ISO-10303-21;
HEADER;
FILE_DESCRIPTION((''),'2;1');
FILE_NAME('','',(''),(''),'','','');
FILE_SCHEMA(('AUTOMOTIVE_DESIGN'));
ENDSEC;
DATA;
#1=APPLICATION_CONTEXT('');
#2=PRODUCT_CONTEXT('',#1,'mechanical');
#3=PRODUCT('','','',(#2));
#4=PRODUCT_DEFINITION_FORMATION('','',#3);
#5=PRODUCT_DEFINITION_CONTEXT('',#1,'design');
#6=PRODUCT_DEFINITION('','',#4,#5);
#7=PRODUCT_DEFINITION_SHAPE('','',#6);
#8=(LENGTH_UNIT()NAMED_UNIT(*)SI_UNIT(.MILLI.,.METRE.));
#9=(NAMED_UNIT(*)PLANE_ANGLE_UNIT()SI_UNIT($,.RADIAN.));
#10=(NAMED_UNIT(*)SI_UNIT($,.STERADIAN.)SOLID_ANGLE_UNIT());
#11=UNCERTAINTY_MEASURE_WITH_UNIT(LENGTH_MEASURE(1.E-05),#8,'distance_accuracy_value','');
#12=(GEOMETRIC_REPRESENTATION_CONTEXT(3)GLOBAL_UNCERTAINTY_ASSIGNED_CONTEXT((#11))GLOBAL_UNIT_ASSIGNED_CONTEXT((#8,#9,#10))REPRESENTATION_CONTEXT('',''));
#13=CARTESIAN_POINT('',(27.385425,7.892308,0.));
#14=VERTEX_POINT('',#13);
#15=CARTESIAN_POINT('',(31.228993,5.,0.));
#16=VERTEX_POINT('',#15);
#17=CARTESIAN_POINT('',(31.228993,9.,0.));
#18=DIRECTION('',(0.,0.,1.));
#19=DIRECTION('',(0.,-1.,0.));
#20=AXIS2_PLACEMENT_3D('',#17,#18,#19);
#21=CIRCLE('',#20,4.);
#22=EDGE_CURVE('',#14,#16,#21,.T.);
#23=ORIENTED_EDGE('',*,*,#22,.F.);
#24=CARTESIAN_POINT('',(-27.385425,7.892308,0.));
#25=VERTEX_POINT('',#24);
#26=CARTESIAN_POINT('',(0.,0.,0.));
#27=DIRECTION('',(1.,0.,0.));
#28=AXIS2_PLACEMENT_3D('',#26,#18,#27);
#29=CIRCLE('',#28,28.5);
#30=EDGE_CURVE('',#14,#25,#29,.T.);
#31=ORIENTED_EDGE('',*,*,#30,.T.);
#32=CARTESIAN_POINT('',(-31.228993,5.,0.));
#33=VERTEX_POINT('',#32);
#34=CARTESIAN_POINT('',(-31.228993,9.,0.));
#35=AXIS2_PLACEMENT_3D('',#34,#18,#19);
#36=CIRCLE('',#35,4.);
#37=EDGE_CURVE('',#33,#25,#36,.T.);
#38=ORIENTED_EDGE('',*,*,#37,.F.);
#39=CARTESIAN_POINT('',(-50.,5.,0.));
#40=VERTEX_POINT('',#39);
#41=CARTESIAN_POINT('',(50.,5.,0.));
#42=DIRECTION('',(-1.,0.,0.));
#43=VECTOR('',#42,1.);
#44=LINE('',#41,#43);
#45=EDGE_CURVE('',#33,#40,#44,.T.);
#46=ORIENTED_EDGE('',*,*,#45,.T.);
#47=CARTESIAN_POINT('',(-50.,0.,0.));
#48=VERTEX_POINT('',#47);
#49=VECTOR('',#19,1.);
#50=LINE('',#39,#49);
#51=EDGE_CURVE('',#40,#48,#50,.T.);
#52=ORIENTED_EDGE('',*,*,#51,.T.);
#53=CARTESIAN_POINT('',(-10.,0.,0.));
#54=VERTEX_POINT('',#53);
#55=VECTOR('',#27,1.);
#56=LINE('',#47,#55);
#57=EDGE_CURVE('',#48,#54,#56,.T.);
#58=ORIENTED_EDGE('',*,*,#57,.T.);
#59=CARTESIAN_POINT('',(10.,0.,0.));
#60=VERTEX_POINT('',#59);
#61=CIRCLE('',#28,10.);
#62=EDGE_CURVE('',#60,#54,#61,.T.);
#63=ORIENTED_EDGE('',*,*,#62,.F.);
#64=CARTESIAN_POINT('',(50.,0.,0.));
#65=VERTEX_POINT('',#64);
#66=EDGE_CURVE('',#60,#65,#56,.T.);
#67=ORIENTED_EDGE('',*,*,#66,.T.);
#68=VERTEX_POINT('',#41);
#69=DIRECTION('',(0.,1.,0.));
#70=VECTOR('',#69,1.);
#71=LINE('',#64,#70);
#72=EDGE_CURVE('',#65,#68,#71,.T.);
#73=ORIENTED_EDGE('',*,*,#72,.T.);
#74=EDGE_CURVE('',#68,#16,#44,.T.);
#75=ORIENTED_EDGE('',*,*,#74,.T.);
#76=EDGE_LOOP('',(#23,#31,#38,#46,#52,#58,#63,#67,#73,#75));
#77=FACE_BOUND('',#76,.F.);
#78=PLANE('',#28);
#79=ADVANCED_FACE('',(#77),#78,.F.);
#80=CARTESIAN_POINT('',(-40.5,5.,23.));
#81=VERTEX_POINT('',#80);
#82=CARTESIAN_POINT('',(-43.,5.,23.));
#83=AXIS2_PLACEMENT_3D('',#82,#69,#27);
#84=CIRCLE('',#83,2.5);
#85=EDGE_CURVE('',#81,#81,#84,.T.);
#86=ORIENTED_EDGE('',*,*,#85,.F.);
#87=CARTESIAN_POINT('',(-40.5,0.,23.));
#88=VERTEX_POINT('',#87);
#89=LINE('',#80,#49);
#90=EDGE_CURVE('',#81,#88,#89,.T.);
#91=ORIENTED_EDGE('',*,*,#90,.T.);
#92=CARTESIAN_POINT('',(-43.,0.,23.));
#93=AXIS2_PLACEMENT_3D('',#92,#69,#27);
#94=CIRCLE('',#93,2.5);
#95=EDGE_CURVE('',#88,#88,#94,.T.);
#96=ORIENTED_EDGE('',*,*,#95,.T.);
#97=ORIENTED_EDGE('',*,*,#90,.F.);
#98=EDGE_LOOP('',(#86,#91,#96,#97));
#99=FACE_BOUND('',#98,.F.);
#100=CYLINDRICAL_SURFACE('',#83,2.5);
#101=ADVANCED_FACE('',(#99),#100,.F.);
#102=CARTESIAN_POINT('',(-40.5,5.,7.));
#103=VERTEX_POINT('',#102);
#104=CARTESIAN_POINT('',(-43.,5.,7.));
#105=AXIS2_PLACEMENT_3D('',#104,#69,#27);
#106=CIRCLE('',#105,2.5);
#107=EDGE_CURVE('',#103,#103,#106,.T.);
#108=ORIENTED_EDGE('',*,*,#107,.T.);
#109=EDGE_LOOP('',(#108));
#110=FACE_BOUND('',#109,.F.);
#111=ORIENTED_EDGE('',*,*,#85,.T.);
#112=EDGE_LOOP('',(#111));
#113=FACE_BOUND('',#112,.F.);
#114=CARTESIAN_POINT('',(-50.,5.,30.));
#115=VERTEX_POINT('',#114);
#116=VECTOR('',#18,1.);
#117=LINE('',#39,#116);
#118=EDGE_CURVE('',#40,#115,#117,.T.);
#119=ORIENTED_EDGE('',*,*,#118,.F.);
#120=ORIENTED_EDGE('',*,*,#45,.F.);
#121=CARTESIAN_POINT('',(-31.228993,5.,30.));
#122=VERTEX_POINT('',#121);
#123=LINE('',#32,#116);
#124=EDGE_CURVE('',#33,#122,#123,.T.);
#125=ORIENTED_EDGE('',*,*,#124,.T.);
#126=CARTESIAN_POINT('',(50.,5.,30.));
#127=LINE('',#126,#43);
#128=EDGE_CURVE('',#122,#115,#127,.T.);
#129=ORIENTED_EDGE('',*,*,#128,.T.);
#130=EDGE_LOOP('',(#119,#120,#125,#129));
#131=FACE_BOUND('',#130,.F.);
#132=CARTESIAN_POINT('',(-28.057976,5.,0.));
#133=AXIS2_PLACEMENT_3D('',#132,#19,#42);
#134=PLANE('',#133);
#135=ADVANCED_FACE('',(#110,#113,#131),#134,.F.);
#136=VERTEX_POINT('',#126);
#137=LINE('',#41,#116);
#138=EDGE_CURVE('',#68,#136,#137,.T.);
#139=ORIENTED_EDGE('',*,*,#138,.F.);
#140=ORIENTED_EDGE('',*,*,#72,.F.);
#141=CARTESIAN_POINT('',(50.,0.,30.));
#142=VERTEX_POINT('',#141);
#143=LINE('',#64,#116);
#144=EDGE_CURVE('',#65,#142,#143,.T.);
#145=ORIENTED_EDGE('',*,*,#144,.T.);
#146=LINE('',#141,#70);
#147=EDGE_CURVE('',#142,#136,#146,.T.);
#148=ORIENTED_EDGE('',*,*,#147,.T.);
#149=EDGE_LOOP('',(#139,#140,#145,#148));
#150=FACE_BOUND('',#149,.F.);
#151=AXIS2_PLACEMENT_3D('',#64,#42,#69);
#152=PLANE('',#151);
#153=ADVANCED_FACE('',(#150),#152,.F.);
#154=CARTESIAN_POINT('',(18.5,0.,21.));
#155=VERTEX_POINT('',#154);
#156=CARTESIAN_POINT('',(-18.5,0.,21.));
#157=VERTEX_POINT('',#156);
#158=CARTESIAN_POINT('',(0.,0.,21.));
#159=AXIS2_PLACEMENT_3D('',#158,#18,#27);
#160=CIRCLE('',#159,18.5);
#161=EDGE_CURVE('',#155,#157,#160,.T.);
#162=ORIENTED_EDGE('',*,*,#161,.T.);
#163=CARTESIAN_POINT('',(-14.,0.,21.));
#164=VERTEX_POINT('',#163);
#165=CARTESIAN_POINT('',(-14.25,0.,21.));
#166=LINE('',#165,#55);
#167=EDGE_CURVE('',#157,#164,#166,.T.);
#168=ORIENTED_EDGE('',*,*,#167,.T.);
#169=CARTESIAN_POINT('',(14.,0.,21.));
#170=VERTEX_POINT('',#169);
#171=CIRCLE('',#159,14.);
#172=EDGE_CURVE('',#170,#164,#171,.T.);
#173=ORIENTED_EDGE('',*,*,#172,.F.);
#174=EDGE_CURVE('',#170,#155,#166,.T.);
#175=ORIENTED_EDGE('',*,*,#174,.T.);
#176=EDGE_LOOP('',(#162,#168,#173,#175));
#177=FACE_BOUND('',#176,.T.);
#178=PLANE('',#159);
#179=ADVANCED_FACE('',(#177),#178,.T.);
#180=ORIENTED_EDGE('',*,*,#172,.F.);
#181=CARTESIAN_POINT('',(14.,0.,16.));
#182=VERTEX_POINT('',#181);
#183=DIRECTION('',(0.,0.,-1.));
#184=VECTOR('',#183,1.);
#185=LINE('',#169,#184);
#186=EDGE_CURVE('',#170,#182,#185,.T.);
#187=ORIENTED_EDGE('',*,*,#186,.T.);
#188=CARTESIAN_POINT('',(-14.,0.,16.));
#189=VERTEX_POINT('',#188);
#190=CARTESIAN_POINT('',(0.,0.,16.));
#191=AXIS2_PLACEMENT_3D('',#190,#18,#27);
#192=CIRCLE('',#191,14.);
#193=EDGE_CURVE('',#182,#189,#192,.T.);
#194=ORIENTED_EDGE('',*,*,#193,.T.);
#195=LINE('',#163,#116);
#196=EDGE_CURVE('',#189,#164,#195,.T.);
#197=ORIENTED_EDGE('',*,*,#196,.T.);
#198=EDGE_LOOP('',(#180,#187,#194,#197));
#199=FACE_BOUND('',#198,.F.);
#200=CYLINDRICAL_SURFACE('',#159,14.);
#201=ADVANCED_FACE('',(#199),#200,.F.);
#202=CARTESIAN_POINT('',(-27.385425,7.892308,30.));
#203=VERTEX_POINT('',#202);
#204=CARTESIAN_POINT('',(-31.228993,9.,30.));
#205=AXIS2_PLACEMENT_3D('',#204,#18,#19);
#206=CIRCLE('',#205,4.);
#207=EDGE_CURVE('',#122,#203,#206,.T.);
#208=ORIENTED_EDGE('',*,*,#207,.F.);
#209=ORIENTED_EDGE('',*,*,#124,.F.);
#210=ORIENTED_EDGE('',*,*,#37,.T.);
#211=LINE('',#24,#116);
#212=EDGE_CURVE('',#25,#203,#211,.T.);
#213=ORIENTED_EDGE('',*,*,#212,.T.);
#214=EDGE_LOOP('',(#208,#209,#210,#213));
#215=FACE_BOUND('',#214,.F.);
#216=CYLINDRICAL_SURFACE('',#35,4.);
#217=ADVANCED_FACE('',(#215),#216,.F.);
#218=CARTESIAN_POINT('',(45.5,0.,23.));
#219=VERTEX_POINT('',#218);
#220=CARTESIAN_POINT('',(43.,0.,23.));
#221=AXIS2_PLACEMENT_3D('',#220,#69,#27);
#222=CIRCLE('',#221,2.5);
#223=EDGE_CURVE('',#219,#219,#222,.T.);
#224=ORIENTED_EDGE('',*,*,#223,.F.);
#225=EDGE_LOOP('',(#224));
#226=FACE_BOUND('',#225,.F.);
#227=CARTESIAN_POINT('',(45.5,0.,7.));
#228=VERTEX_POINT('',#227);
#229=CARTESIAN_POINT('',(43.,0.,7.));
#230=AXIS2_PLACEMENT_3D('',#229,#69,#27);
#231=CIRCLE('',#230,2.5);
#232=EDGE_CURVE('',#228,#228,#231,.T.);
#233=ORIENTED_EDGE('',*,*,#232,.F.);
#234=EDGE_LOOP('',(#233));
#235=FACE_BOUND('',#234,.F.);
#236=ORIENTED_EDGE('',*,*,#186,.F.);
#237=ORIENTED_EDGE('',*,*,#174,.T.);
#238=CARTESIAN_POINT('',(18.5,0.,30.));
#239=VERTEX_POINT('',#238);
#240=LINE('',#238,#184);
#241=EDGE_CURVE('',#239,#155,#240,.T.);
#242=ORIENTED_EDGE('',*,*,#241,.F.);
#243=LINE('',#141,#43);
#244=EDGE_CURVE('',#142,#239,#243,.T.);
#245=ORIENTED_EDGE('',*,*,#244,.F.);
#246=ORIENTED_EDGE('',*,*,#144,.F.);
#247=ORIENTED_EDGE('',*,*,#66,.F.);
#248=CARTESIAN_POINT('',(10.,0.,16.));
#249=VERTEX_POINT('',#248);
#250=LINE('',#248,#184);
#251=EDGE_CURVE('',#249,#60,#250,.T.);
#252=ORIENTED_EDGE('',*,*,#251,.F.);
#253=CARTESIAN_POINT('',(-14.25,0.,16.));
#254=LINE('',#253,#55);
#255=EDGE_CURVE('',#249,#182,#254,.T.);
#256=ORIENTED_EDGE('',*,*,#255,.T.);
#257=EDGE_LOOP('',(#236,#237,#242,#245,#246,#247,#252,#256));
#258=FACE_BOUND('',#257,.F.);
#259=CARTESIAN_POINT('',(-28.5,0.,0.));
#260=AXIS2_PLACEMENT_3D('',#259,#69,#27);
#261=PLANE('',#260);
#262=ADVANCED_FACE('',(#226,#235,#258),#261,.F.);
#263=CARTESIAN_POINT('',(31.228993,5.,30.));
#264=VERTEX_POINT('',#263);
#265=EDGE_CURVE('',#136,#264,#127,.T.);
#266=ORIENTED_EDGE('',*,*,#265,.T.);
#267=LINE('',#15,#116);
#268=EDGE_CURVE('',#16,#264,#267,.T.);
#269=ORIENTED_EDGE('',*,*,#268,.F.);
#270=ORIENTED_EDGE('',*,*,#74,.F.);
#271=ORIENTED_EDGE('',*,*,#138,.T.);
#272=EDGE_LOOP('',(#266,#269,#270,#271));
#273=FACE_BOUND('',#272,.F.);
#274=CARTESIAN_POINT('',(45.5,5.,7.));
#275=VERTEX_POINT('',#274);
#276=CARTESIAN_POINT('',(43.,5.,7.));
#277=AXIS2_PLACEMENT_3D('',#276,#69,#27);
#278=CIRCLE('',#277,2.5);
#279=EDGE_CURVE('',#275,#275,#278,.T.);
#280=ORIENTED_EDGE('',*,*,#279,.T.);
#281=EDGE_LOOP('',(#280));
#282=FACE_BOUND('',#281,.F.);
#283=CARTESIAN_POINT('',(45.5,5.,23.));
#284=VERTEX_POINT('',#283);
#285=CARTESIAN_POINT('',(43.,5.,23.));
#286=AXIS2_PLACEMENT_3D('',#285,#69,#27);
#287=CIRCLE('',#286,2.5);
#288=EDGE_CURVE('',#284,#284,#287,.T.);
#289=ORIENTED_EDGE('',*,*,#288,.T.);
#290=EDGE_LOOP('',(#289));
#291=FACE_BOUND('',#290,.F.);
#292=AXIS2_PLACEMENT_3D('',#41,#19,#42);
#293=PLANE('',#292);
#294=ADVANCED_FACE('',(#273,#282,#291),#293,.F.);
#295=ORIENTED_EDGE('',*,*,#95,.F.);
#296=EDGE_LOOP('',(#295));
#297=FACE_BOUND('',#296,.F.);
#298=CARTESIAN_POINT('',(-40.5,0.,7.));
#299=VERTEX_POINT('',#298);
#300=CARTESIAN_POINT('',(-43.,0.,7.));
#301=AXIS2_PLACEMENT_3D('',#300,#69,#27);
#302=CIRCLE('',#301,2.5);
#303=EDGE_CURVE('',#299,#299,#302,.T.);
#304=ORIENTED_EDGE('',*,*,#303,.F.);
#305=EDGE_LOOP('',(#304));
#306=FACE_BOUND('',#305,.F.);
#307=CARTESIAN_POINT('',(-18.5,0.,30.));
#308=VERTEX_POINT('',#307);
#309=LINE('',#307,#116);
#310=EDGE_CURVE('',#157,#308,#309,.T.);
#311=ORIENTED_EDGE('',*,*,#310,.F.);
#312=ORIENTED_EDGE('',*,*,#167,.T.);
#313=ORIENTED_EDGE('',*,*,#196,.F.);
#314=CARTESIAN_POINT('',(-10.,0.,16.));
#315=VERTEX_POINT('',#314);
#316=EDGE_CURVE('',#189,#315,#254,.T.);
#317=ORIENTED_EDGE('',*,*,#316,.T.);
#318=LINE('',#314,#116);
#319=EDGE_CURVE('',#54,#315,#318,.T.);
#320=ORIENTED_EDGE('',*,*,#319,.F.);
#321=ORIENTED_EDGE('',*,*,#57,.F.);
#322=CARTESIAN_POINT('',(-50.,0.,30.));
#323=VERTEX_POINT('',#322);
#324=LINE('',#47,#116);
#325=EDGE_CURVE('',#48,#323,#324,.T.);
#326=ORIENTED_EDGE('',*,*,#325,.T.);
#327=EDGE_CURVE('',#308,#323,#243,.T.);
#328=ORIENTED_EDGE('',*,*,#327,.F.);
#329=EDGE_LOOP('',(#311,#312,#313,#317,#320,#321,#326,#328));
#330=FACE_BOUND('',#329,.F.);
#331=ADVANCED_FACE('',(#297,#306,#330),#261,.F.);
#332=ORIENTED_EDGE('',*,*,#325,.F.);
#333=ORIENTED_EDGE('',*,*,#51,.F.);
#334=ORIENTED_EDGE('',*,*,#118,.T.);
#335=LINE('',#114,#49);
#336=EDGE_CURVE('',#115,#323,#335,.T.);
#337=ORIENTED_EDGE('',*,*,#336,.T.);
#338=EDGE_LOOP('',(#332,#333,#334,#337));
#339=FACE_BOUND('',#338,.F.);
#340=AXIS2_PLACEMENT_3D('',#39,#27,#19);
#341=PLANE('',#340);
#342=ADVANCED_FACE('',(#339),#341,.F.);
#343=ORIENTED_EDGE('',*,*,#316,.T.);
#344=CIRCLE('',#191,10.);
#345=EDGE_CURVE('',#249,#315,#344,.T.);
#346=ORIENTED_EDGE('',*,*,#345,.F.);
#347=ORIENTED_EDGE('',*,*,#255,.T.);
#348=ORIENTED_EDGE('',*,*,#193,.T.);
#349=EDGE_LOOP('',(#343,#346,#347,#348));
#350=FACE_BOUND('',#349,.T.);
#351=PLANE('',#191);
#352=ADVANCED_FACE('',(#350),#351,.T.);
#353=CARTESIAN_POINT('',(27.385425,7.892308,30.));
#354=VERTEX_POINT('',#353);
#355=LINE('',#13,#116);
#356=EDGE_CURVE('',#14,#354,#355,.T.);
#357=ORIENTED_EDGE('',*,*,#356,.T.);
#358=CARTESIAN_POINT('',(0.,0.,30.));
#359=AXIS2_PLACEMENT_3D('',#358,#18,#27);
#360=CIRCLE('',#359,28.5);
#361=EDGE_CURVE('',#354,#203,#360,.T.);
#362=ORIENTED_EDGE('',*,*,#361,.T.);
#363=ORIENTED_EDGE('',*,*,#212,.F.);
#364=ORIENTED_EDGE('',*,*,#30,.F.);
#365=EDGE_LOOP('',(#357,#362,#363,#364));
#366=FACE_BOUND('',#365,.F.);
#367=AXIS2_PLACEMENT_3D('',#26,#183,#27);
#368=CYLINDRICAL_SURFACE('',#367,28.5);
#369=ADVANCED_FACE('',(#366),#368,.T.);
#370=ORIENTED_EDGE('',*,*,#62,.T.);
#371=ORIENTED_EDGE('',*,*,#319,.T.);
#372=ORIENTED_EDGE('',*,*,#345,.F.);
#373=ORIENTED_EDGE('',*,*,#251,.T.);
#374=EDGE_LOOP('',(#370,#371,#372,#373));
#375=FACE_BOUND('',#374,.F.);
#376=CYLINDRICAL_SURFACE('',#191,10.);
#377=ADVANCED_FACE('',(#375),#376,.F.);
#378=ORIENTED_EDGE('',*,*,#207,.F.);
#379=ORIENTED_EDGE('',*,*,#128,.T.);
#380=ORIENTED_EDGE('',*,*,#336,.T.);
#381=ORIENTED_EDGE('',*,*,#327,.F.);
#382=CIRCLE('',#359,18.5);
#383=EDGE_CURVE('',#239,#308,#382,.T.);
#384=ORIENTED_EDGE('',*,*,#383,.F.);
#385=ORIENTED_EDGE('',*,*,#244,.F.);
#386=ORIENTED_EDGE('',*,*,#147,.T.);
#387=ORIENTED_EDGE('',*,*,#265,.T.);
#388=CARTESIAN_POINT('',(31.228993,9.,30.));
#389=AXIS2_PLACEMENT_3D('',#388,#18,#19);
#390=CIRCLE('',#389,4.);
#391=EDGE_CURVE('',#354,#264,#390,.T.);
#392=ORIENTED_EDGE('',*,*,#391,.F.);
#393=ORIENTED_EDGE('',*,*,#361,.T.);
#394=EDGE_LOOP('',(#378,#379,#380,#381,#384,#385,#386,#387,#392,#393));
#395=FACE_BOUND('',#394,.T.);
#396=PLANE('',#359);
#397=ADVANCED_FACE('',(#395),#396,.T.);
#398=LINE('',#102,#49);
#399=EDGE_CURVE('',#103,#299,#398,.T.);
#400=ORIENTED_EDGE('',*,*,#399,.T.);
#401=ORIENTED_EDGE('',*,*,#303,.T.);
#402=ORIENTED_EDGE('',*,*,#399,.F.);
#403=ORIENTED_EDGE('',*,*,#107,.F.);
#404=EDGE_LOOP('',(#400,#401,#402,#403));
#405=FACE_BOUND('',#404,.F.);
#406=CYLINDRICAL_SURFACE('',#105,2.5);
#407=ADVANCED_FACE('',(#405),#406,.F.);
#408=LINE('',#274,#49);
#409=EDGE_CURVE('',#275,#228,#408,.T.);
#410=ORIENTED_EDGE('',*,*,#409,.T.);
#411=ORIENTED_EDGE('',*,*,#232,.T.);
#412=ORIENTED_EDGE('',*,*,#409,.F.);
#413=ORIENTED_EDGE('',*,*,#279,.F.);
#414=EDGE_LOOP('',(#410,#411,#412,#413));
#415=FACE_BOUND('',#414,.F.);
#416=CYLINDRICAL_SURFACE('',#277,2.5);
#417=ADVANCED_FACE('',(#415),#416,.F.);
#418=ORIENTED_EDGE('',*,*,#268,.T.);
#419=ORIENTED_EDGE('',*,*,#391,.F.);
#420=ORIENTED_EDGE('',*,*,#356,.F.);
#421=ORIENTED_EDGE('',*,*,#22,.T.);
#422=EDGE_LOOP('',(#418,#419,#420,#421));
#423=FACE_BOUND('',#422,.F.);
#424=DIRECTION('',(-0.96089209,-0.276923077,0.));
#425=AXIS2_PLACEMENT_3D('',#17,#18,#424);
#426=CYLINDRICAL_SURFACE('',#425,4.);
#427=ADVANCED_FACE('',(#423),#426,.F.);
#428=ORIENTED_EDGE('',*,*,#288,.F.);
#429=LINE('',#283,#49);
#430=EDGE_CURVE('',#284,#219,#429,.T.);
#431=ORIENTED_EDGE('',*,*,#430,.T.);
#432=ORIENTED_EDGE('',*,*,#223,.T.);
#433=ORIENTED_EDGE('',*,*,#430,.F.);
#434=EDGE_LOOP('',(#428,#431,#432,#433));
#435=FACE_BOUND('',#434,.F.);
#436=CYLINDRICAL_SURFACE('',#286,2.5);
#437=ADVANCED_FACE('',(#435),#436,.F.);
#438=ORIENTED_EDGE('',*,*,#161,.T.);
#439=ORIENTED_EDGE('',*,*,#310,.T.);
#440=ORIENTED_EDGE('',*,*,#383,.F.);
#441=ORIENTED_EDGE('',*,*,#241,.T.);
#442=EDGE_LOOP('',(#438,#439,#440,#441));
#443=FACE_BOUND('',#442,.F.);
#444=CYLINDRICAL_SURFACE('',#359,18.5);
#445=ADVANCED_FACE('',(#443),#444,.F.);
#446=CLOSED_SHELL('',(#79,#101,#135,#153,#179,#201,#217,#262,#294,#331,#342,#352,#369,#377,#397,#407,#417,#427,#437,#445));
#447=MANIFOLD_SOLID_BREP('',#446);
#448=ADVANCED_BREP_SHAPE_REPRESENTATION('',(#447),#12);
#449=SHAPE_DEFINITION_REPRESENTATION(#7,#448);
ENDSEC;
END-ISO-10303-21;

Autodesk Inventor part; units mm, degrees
ref_plane "YZ Plane" through (0, 0, 0) normal (1, 0, 0) x (0, 1, 0)
ref_plane "XZ Plane" through (0, 0, 0) normal (0, 1, 0) x (-1, 0, 0)
ref_plane "XY Plane" through (0, 0, 0) normal (0, 0, 1) x (1, 0, 0)
sketch "草图1" plane through (0, 0, 0) normal (0, 0, 1) x (1, 0, 0)
  arc A0 (28.5, 0) -> (-28.5, 0) centre (0, 0) ccw
  line L0 (-50, 0) -> (50, 0)
  line L1 (50, 0) -> (50, 5)
  line L2 (50, 5) -> (-50, 5)
  line L3 (-50, 5) -> (-50, 0)
  dimension "d0" = 57
  dimension "d1" = 100
  dimension "d2" = 5
extrude "拉伸1" add sketch "草图1" along normal blind 30
sketch "草图2" plane through (0, 0, 30) normal (0, 0, 1) x (1, 0, 0)
  circle A0 centre (0, 0) radius 18.5
  dimension "d5" = 37
extrude "拉伸2" cut sketch "草图2" against normal blind 9
sketch "草图3" plane through (0, 0, 21) normal (0, 0, 1) x (1, 0, 0)
  circle A0 centre (0, 0) radius 14
  dimension "d8" = 28
extrude "拉伸3" cut sketch "草图3" against normal blind 5
sketch "草图4" plane through (0, 0, 16) normal (0, 0, 1) x (1, 0, 0)
  circle A0 centre (0, 0) radius 10
  dimension "d11" = 20
extrude "拉伸4" cut sketch "草图4" against normal through all
fillet "圆角1" radius 4 2 edges at (28.058, 5, 15) (-28.058, 5, 15)
sketch "草图5" plane through (50, 5, 30) normal (0, 1, 0) x (1, 0, 0)
  circle A0 centre (-7, 23) radius 2.5
  circle A1 centre (-7, 7) radius 2.5
  circle A2 centre (-93, 7) radius 2.5
  circle A3 centre (-93, 23) radius 2.5
  line L0 (-81.229, 30) -> (-100, 30) projected
  line L1 (-100, 30) -> (-100, 0) projected
  line L2 (-81.229, 0) -> (-100, 0) projected
  line L3 (0, 30) -> (-18.771, 30) projected
  line L4 (0, 30) -> (0, 0) projected
  line L5 (0, 0) -> (-18.771, 0) projected
  point P0 (-50, 30)
  dimension "d15" = 5
  dimension "d16" = 5
  dimension "d17" = 5
  dimension "d18" = 5
  dimension "d19" = 7
  dimension "d20" = 7
  dimension "d21" = 7
  dimension "d22" = 7
  dimension "d23" = 7
  dimension "d24" = 7
  dimension "d25" = 7
  dimension "d26" = 7
extrude "拉伸5" cut sketch "草图5" against normal through all
properties part number "砂轮架带动曲轴固定盖"
